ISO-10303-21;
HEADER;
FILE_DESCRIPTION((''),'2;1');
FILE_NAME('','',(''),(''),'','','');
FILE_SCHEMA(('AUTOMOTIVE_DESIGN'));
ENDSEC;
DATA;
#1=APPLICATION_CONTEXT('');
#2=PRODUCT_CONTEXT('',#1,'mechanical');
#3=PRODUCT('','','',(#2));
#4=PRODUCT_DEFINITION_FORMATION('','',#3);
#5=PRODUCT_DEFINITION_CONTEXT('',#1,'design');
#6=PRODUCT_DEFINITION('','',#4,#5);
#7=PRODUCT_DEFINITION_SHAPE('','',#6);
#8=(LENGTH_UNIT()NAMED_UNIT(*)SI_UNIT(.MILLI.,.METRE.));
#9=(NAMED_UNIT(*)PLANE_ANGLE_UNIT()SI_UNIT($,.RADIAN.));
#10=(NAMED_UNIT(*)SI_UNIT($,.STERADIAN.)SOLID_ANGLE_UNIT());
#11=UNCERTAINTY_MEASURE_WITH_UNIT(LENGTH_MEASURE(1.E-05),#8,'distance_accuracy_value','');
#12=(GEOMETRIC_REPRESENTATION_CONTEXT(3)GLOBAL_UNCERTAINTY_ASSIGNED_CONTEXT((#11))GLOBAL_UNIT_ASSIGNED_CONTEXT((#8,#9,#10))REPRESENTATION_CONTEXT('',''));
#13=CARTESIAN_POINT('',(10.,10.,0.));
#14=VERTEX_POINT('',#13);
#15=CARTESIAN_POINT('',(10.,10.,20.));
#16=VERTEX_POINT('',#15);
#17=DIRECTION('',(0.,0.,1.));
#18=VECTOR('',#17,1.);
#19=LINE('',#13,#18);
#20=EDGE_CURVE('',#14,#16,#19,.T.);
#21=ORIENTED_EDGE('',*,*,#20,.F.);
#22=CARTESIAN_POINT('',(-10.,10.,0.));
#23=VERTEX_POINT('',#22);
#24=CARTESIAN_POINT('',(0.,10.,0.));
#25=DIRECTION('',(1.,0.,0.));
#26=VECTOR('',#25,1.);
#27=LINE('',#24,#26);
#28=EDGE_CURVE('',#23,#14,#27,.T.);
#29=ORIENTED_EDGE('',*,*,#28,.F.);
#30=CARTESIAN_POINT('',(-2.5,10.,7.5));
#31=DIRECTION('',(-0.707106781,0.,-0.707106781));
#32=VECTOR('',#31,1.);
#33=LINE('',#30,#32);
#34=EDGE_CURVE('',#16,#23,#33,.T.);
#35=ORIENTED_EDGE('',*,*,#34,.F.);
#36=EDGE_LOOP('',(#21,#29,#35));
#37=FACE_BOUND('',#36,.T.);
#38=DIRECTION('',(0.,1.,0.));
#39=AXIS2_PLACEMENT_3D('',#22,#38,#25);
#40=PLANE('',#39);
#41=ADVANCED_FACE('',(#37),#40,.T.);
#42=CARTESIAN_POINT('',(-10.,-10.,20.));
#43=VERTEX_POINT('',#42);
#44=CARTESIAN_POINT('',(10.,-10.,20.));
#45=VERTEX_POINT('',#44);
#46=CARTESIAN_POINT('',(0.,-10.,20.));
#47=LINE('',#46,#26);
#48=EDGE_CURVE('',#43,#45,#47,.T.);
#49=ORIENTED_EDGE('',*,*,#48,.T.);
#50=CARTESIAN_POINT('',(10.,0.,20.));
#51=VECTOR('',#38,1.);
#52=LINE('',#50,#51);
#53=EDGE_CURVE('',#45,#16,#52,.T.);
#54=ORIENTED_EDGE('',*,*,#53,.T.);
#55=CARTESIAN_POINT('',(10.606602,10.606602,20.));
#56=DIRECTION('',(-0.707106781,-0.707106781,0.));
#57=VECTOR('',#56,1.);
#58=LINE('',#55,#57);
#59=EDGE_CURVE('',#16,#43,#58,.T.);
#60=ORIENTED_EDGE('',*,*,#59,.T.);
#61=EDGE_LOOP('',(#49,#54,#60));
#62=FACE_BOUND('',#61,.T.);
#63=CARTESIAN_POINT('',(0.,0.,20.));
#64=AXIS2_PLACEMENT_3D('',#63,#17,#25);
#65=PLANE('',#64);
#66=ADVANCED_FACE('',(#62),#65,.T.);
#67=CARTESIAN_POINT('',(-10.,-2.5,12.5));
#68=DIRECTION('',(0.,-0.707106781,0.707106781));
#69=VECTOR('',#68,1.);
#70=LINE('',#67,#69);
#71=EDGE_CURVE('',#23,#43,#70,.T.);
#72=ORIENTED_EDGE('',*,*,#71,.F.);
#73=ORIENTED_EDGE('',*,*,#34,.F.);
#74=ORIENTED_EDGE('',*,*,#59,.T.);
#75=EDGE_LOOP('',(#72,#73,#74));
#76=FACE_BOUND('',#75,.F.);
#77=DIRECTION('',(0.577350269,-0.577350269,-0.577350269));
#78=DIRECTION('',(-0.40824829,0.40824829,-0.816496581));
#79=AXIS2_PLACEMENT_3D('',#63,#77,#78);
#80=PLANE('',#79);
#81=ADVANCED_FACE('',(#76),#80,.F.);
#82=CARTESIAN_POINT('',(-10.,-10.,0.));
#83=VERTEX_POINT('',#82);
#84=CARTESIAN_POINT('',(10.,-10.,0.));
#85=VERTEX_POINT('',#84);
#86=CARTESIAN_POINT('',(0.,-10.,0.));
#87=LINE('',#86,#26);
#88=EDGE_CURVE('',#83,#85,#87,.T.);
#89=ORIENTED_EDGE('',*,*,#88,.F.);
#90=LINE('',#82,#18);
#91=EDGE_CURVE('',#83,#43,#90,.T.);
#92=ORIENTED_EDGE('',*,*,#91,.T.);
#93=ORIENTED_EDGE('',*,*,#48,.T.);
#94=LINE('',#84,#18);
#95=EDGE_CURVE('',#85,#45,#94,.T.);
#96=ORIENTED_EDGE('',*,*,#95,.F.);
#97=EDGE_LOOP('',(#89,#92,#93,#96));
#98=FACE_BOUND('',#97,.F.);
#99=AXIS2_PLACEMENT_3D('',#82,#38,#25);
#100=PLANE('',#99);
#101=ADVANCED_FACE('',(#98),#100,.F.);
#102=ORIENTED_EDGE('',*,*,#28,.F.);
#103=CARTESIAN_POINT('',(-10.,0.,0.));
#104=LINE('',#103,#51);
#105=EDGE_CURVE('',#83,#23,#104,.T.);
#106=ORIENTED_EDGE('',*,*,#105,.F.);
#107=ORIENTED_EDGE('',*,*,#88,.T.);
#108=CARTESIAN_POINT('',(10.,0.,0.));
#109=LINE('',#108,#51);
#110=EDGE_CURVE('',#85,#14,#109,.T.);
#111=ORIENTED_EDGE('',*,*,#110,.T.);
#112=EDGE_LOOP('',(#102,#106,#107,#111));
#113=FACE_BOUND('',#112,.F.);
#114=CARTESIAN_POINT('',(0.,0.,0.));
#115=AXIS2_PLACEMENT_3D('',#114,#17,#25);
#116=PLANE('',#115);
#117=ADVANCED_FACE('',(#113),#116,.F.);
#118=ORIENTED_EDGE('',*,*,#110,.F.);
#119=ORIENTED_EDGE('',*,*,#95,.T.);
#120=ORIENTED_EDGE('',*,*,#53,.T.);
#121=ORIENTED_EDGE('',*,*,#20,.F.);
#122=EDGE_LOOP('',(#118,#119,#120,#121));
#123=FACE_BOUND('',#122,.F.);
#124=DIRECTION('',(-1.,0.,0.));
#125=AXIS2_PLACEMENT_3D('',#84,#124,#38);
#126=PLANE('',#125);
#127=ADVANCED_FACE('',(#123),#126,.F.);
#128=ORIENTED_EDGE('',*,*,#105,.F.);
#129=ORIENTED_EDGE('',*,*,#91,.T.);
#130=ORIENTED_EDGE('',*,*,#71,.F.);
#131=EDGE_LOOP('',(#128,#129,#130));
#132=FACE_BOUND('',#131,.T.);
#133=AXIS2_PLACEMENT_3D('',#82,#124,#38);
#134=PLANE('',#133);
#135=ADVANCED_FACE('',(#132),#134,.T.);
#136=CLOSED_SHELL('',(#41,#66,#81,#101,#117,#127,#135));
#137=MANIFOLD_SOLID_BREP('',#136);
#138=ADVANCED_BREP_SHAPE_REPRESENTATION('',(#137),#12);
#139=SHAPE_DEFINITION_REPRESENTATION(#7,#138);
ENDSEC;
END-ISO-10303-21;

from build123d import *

# Parameters (mm, degrees)
F0_W     = 20
F0_H     = 20
F1_DEPTH = 20
F4_DEPTH = 15


with BuildPart() as f1:
    # F0 (on Top) → F1 (new body)
    with BuildSketch(Plane.XY):
        Rectangle(F0_W, F0_H)
    extrude(amount=F1_DEPTH)

    # F3 (on 3pt) → F4 (cut, symmetric)
    with BuildSketch(Plane(origin=(0, 0, 0), x_dir=(-0.7071067812, 0.7071067812, 0), z_dir=(0.7071067812, 0.7071067812, 0))):
        Polygon((14.1421356237, 0), (14.1421356237, 20), (0, 20), align=None)
    extrude(amount=F4_DEPTH, both=True, mode=Mode.SUBTRACT)


solid = f1.part
